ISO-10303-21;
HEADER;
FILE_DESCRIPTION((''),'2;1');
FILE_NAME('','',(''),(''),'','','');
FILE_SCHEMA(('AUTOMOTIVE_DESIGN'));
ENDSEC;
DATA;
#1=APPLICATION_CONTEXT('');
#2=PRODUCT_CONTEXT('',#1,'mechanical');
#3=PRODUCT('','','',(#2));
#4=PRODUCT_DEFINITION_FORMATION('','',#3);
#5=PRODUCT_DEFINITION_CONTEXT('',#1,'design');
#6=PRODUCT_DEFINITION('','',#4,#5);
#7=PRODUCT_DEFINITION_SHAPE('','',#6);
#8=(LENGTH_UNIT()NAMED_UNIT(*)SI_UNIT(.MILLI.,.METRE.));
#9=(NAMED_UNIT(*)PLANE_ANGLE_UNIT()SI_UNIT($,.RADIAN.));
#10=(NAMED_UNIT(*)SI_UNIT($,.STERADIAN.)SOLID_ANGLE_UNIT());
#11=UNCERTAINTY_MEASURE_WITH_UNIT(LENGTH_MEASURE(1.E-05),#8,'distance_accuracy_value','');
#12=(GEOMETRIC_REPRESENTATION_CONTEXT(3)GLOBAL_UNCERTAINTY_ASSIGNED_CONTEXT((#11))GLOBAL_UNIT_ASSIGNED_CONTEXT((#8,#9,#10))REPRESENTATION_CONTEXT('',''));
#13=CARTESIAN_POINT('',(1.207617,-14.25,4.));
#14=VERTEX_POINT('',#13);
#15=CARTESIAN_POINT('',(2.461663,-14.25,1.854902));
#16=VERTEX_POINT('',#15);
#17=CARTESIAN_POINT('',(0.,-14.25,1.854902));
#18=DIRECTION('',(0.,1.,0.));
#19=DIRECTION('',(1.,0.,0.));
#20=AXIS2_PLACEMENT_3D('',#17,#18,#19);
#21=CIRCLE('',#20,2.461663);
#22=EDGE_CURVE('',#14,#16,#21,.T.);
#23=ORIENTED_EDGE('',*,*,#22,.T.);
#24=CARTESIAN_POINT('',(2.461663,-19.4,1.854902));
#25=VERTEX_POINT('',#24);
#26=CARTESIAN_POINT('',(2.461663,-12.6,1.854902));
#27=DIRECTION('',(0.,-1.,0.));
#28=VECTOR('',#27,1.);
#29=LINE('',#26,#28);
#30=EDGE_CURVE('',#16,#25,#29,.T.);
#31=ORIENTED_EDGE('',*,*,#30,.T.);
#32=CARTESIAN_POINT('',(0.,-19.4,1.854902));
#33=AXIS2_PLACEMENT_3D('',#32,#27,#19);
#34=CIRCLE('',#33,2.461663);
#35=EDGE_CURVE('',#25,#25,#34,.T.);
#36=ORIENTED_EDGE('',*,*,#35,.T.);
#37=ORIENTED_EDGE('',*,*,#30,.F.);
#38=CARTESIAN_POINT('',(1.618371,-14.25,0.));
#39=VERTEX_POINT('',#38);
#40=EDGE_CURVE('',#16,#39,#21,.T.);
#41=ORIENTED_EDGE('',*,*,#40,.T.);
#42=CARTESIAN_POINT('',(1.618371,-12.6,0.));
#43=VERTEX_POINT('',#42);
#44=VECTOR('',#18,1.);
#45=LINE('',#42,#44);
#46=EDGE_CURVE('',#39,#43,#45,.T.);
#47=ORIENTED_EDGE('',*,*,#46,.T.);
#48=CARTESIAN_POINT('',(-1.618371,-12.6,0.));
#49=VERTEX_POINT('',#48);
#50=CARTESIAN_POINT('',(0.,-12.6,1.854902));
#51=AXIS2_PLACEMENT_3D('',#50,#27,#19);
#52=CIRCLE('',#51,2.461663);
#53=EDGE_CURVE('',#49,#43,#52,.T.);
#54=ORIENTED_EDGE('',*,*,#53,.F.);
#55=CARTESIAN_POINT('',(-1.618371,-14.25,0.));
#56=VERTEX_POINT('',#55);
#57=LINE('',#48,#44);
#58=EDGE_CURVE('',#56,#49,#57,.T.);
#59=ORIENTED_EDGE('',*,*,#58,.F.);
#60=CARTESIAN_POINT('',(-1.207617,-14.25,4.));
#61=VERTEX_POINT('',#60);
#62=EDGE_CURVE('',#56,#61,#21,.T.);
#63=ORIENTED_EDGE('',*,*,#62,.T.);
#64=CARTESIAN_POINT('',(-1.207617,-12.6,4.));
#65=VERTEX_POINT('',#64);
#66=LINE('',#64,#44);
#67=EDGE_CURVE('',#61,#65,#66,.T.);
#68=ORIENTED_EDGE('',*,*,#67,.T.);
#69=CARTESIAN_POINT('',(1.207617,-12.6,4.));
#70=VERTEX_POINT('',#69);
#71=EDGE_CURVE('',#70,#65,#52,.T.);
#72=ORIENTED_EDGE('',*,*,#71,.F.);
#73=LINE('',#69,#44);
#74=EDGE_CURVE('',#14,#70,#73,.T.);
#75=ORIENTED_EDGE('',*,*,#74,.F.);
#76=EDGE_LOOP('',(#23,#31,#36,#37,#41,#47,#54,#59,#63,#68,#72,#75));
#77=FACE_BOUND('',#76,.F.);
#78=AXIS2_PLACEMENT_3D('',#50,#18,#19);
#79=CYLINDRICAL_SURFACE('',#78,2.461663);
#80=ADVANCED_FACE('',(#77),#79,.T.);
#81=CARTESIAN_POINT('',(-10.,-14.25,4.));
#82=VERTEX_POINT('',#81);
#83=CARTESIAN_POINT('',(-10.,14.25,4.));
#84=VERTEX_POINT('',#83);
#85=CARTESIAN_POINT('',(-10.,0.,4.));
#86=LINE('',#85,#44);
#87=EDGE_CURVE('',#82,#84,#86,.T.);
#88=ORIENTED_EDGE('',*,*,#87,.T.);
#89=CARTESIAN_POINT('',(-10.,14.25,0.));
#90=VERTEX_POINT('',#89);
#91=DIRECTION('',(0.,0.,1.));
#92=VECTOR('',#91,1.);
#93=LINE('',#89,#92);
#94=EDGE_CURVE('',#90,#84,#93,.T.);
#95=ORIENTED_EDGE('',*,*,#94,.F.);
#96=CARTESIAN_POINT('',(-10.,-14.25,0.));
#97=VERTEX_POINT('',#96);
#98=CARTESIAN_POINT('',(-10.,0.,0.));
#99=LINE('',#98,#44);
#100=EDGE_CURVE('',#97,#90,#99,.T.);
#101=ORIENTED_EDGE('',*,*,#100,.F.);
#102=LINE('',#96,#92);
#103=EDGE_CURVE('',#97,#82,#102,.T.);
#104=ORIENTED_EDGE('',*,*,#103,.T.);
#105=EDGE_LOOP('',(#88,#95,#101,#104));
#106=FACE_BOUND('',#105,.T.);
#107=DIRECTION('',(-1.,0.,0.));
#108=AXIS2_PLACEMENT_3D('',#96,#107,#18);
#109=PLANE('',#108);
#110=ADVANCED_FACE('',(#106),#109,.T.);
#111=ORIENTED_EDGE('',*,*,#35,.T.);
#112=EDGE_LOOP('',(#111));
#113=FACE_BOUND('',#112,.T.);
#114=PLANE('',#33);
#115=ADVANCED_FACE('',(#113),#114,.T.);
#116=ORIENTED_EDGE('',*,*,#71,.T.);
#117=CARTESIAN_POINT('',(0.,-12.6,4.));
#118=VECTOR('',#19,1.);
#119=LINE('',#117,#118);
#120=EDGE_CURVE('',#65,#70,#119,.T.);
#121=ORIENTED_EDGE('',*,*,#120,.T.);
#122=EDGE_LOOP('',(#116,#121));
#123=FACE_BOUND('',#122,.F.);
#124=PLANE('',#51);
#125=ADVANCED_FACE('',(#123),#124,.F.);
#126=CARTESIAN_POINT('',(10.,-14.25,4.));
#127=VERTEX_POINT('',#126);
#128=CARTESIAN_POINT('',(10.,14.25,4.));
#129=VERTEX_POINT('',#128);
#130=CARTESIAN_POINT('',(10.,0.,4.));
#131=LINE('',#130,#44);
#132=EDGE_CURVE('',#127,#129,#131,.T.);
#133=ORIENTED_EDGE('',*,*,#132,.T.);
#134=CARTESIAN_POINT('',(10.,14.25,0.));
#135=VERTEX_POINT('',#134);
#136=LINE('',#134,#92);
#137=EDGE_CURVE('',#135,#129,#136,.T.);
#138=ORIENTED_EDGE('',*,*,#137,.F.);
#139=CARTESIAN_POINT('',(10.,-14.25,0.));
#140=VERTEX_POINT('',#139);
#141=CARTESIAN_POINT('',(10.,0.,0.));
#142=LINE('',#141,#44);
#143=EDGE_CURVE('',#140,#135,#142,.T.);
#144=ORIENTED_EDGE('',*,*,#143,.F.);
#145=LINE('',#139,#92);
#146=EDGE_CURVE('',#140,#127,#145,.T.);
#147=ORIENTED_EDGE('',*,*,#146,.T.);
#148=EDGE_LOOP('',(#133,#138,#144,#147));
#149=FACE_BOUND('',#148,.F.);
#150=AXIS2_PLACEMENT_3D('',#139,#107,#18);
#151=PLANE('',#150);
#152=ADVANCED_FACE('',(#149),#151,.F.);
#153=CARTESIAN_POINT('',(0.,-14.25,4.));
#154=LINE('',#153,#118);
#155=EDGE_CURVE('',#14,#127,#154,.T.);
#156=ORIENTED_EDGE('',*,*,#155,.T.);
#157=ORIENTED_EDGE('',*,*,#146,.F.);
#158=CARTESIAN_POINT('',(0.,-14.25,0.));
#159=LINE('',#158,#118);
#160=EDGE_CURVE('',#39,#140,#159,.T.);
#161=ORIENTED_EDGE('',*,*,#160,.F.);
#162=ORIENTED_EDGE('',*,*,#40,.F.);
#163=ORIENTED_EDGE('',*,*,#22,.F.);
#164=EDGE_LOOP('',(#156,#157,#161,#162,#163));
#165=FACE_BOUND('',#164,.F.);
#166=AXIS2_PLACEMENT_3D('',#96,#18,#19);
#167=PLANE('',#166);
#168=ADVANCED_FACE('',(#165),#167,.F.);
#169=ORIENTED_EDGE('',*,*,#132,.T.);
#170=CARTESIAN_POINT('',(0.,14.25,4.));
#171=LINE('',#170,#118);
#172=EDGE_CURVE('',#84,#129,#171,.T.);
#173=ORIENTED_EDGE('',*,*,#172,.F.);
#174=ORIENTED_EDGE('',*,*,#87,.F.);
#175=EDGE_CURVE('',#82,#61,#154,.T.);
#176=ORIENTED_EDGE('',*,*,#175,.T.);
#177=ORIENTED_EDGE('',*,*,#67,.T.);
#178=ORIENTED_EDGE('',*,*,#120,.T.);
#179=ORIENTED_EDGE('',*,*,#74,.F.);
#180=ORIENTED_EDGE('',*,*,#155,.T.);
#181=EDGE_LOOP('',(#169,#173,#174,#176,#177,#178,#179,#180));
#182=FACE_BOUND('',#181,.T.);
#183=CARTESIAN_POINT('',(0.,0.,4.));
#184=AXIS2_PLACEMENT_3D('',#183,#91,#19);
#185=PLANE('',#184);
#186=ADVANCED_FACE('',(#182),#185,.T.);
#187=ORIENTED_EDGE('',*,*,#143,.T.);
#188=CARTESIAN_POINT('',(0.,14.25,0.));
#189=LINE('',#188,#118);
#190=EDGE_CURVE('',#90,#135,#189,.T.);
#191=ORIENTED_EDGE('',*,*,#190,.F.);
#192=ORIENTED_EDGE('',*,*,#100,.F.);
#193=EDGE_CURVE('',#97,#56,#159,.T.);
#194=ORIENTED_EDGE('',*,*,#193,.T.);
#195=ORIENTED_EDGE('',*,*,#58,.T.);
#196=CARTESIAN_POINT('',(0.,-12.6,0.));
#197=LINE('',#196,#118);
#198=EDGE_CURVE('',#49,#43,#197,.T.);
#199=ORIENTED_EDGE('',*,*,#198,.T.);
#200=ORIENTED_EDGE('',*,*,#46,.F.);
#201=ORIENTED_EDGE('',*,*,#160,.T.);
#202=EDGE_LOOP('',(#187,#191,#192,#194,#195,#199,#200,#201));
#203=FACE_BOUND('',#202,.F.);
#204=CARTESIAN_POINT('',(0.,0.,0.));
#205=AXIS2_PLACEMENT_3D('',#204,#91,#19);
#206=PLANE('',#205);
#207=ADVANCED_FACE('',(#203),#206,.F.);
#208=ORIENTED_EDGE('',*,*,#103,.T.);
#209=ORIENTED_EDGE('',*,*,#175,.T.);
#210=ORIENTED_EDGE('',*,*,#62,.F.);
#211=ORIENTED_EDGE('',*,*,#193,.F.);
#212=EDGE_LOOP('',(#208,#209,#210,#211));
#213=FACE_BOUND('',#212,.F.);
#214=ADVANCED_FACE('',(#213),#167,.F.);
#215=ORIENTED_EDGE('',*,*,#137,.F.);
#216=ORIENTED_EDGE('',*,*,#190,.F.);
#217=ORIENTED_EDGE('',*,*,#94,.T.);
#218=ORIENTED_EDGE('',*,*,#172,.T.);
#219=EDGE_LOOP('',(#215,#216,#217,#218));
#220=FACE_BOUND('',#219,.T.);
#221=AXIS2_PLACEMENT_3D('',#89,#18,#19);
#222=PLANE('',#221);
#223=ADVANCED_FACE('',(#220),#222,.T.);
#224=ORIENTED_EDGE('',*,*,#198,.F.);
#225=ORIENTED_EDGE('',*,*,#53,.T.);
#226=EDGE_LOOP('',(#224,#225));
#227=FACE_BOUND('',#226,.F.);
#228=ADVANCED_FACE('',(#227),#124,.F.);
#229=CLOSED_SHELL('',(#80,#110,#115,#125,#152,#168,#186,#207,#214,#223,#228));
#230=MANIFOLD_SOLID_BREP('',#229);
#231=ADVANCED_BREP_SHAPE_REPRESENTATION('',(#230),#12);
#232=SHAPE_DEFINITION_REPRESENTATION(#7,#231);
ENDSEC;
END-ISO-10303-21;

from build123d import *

# Parameters (mm, degrees)
F0_W     = 20
F0_H     = 28.5
F1_DEPTH = 4
F3_START = 12.6
F2_R     = 2.4616630518
F3_DEPTH = 6.8


with BuildPart() as f1:
    # F0 (on Top) → F1 (new body)
    with BuildSketch(Plane.XY):
        Rectangle(F0_W, F0_H)
    extrude(amount=F1_DEPTH)

    # F2 (on Front) → F3 (join)
    with BuildSketch(Plane.XZ.offset(F3_START)):
        with Locations((0, 1.8549020169)):
            Circle(F2_R)
    extrude(amount=F3_DEPTH)


solid = f1.part
